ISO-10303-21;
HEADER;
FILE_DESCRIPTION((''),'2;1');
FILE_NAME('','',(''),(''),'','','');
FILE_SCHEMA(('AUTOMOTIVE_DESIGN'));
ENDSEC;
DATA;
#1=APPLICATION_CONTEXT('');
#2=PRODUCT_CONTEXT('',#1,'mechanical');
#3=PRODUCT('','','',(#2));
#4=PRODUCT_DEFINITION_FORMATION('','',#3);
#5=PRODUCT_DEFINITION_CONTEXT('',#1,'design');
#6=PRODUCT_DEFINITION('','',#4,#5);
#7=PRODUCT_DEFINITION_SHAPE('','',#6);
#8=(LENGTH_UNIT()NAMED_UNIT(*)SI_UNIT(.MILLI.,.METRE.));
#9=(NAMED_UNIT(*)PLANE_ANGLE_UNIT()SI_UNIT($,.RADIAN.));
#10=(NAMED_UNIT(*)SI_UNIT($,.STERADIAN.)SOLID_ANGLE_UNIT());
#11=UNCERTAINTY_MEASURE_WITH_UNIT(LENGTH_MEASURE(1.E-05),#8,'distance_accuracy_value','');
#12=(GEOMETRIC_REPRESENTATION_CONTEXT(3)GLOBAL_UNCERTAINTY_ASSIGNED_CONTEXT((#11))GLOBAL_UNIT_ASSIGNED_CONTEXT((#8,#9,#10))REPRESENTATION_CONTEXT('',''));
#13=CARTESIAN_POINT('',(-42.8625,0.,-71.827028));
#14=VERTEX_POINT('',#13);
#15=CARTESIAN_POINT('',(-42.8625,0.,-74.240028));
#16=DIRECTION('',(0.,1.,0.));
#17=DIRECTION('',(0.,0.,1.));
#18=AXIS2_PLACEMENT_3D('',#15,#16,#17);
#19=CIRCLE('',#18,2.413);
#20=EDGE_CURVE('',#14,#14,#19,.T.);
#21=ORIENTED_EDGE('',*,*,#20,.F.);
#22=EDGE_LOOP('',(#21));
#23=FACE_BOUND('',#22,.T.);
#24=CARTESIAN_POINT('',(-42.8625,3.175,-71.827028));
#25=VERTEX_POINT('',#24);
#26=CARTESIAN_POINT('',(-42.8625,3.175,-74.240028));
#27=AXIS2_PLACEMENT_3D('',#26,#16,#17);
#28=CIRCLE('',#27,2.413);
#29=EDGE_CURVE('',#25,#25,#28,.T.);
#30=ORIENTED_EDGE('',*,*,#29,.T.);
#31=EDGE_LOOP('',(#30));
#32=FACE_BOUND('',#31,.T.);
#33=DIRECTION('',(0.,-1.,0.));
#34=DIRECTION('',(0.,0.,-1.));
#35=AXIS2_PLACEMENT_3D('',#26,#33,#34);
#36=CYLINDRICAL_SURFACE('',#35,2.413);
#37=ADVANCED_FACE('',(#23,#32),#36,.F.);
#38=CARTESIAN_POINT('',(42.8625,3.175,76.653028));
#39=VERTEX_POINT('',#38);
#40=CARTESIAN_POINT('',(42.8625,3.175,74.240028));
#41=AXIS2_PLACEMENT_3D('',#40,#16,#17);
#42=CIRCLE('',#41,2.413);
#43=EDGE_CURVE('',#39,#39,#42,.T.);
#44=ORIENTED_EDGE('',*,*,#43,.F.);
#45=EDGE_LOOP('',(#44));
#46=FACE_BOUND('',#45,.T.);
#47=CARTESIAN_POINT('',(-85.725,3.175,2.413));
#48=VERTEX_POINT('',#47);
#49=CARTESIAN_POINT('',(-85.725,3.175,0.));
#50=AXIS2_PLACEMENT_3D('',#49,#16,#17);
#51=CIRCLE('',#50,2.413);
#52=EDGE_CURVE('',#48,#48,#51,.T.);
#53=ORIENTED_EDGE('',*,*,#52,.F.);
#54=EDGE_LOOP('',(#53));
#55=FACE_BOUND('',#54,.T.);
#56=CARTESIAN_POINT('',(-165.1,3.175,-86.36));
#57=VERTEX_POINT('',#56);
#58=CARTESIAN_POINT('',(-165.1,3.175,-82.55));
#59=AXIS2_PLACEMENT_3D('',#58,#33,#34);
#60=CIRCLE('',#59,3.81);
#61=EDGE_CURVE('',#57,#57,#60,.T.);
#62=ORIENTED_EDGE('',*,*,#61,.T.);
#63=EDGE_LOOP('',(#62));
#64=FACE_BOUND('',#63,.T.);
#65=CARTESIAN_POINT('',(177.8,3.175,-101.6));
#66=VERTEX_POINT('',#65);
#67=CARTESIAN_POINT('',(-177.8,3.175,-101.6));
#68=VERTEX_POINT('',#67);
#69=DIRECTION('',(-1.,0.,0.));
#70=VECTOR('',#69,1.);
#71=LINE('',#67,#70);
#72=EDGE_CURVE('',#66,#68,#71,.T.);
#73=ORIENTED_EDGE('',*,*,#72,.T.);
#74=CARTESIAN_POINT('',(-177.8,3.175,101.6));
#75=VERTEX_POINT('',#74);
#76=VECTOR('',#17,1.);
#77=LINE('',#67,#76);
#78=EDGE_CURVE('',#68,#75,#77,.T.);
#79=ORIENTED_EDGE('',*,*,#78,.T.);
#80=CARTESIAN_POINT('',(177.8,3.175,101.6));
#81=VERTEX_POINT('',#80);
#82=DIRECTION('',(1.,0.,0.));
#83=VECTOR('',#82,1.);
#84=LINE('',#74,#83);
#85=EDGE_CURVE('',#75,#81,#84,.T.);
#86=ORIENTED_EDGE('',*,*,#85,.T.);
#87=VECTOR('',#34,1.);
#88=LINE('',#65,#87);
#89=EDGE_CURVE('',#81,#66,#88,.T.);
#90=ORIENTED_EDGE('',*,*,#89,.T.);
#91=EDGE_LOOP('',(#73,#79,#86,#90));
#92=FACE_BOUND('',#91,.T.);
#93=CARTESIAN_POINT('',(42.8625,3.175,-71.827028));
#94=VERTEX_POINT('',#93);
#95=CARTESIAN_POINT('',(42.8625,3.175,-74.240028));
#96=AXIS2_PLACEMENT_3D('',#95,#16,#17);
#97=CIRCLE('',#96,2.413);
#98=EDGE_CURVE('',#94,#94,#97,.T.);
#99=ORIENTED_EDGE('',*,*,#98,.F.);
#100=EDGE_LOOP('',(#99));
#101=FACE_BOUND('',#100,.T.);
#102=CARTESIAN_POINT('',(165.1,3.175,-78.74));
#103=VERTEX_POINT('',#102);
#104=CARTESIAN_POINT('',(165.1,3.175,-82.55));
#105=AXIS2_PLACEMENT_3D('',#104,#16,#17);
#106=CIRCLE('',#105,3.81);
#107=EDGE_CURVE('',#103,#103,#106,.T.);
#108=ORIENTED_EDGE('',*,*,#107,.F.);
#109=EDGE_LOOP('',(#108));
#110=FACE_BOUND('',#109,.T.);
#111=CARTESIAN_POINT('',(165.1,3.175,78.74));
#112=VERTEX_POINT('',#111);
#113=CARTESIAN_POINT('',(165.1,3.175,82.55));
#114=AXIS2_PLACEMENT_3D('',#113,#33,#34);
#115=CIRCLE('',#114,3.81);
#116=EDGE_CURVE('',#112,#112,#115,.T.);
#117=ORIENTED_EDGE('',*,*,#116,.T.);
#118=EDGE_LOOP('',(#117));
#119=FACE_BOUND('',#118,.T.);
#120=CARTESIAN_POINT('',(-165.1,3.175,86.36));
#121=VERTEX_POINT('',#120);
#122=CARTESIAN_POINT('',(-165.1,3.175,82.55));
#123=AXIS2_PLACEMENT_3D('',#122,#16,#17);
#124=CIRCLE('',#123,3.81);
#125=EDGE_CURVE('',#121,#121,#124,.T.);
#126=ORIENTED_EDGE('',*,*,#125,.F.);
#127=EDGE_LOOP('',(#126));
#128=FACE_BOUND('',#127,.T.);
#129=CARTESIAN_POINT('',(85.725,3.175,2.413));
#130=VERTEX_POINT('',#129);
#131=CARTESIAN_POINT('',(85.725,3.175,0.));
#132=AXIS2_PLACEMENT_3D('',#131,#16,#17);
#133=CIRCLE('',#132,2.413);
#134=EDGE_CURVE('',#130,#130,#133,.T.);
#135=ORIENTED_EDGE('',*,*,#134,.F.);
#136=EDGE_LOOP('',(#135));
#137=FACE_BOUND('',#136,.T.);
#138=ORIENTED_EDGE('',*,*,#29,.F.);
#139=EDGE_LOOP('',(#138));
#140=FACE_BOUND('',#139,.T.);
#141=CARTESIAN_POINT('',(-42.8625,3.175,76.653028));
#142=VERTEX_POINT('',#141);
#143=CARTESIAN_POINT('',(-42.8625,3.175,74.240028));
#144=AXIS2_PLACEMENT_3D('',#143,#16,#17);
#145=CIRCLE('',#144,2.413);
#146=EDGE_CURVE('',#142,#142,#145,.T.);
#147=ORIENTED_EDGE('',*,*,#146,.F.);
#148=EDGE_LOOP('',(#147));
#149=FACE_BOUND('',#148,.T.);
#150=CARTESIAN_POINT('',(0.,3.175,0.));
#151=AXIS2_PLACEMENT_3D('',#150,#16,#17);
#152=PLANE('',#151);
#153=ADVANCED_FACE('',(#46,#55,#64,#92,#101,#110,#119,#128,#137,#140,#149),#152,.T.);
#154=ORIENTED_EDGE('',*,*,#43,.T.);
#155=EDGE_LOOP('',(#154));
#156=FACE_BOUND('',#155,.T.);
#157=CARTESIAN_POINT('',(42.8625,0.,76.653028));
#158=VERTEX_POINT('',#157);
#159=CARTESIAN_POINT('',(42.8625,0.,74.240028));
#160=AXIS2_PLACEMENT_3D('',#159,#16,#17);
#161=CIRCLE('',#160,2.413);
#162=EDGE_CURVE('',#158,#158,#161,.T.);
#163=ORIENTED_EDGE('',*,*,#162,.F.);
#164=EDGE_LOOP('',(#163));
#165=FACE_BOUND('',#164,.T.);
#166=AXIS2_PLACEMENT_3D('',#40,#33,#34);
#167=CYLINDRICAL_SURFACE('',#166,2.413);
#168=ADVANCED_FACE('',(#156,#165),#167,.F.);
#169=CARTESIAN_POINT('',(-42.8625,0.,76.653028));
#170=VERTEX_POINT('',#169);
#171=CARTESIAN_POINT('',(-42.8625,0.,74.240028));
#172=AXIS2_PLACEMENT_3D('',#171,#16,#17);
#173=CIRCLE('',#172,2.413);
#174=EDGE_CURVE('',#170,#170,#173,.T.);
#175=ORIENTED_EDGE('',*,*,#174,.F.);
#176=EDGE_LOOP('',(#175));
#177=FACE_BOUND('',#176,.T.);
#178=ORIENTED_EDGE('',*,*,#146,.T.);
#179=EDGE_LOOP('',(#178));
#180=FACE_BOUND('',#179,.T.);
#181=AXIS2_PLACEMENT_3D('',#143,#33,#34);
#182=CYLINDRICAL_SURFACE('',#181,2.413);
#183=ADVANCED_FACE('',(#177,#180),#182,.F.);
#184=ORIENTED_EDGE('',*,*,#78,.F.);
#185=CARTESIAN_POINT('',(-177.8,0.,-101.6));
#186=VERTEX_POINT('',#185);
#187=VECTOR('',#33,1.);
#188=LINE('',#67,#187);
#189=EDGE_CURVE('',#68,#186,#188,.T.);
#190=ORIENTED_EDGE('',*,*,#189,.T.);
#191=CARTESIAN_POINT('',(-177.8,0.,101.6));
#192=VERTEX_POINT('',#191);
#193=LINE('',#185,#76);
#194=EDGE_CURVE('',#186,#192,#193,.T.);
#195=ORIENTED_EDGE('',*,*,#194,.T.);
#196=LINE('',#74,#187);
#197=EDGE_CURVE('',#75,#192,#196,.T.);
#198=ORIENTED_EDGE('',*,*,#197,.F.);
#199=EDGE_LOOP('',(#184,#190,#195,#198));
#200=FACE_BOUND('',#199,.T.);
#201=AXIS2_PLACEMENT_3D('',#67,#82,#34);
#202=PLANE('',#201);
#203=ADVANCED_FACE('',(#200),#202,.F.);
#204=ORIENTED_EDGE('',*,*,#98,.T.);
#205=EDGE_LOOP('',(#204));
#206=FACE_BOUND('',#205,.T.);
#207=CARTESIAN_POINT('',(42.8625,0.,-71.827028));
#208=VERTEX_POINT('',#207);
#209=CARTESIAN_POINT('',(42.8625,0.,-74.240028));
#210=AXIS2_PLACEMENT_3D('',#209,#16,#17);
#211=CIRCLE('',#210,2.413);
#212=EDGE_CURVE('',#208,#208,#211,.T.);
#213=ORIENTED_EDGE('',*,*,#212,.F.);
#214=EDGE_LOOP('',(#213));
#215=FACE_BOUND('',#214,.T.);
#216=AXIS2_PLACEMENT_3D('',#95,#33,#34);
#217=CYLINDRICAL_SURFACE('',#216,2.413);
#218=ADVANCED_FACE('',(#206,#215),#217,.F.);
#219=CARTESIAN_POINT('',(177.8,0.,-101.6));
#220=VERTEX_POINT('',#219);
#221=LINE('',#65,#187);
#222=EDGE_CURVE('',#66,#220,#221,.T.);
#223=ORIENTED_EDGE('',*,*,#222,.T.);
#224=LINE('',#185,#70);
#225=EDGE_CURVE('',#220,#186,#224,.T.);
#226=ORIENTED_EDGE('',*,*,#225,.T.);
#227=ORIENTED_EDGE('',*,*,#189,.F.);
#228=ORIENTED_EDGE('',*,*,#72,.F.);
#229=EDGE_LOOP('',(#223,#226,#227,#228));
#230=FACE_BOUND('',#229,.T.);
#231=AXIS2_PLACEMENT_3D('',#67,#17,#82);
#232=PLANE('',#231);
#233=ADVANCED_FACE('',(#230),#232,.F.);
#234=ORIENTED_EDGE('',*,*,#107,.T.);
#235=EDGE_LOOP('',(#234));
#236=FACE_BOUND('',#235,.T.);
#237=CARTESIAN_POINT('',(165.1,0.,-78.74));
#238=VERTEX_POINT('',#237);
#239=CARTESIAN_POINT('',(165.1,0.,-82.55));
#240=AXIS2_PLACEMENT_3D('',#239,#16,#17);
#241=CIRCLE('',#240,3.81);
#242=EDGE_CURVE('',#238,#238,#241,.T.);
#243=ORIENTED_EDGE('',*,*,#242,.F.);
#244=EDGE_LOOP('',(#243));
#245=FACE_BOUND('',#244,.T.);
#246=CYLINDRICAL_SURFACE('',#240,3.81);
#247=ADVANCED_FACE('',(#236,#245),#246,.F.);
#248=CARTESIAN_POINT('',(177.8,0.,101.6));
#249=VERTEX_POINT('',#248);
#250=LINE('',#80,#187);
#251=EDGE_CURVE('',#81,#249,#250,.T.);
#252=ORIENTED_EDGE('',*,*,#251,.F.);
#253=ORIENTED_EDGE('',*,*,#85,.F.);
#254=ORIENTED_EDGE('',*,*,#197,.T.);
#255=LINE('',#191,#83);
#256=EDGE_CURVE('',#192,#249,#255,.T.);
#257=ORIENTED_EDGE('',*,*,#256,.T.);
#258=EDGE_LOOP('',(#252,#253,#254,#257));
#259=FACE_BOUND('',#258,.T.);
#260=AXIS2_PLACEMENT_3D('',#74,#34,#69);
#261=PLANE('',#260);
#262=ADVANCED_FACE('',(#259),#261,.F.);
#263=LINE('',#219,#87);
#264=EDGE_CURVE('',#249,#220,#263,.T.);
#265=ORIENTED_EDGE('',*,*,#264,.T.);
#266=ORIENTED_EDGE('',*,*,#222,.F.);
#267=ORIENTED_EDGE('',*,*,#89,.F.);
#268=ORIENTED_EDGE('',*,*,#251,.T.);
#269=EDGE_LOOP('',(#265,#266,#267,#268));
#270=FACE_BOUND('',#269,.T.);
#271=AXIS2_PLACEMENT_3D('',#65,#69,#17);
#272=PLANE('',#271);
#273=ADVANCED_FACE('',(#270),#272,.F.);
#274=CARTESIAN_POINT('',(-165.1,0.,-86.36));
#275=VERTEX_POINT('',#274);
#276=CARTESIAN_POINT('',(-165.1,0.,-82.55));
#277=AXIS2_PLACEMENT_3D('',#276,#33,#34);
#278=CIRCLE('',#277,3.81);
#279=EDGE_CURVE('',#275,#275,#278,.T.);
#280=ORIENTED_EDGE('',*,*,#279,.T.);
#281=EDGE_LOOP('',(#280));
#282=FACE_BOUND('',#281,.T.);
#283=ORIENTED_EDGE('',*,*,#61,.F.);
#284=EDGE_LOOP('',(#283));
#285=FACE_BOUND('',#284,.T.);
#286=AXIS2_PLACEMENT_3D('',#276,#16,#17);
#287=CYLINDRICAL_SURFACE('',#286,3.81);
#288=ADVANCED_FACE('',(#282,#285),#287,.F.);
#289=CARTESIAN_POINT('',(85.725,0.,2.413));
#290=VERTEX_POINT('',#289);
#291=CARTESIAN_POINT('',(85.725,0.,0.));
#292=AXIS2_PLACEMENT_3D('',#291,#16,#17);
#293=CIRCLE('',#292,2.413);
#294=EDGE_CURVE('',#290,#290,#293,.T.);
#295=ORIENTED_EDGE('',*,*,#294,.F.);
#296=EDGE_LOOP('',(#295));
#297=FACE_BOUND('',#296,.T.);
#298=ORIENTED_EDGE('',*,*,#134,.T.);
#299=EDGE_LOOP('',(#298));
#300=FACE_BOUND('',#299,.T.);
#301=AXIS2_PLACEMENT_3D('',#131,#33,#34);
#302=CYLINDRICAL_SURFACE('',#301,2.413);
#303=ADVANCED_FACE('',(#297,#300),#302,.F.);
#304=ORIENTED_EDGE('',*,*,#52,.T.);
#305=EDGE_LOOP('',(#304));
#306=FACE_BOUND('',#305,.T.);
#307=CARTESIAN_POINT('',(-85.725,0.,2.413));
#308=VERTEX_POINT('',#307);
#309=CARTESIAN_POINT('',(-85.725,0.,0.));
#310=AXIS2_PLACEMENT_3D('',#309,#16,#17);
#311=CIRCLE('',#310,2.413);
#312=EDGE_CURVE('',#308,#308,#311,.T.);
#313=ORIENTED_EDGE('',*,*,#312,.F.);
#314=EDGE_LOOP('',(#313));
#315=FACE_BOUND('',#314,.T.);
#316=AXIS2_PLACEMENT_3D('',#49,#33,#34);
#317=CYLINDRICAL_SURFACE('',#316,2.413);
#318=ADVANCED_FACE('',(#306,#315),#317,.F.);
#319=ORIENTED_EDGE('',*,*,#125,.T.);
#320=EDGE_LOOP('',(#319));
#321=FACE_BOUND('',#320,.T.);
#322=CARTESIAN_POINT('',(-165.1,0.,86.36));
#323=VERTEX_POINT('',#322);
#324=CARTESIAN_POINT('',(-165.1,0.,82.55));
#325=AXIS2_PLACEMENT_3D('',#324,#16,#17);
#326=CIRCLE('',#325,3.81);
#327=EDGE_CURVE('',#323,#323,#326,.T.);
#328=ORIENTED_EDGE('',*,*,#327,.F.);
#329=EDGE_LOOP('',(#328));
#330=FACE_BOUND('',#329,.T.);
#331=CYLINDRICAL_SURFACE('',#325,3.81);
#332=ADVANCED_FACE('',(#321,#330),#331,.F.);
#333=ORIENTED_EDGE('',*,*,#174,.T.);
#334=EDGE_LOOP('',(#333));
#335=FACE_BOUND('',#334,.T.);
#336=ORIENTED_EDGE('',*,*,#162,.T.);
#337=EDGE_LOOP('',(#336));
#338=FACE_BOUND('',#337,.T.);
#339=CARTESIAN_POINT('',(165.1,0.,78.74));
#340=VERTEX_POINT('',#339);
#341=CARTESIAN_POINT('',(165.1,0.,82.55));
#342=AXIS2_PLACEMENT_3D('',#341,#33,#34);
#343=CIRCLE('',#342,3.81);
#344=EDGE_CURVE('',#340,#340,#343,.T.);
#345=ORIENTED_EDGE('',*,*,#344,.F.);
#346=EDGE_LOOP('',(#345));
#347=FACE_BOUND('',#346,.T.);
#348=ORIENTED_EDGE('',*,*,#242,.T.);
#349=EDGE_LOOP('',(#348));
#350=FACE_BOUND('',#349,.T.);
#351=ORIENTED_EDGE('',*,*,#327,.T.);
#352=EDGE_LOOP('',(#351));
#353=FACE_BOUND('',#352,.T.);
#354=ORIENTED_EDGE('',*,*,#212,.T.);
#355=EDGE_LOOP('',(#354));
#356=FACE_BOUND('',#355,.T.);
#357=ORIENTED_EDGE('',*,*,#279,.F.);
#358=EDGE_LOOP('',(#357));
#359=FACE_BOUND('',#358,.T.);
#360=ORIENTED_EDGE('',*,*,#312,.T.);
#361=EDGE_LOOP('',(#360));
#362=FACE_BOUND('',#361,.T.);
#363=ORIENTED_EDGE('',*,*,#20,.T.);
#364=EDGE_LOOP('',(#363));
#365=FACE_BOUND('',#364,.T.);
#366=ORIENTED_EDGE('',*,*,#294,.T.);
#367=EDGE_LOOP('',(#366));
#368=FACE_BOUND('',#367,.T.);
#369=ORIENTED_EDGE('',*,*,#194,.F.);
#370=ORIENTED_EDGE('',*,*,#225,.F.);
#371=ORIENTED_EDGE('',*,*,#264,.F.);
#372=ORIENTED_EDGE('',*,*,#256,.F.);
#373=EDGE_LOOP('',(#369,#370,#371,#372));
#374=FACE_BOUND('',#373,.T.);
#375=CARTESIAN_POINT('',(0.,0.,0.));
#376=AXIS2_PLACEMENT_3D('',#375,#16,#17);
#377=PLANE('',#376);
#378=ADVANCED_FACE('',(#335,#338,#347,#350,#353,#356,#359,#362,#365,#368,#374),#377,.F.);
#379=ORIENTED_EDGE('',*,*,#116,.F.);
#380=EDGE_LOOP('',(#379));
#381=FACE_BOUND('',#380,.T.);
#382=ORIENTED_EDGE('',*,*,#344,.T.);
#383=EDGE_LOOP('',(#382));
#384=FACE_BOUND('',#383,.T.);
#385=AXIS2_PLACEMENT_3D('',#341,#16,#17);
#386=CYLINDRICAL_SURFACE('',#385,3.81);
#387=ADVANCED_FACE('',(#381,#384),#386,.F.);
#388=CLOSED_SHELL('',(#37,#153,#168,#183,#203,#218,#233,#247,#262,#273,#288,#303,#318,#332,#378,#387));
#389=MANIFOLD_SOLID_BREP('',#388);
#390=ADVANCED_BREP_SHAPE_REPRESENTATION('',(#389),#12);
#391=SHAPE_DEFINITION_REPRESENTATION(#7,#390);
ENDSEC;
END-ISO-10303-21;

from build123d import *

# Parameters (mm, degrees)
SKETCH1_W           = 355.6
SKETCH1_H           = 203.2
SKETCH1_R           = 2.413
BOSS_EXTRUDE1_DEPTH = 3.175
SKETCH2_R           = 3.81
CUT_EXTRUDE1_DEPTH  = 205.80595847


with BuildPart() as part:
    # Sketch1 → Boss-Extrude1 (new body)
    with BuildSketch(Plane(origin=(0, 0, 0), x_dir=(1, 0, 0), z_dir=(0, 1, 0))):
        Rectangle(SKETCH1_W, SKETCH1_H)
        with Locations(Location((42.8625, 74.240027739, 0), (0, 0, 270))):
            Circle(SKETCH1_R, mode=Mode.SUBTRACT)
        with Locations(Location((85.725, 0, 0), (0, 0, 270))):
            Circle(SKETCH1_R, mode=Mode.SUBTRACT)
        with Locations(Location((42.8625, -74.240027739, 0), (0, 0, 270))):
            Circle(SKETCH1_R, mode=Mode.SUBTRACT)
        with Locations(Location((-42.8625, -74.240027739, 0), (0, 0, 270))):
            Circle(SKETCH1_R, mode=Mode.SUBTRACT)
        with Locations(Location((-85.725, 0, 0), (0, 0, 270))):
            Circle(SKETCH1_R, mode=Mode.SUBTRACT)
        with Locations(Location((-42.8625, 74.240027739, 0), (0, 0, 270))):
            Circle(SKETCH1_R, mode=Mode.SUBTRACT)
    extrude(amount=BOSS_EXTRUDE1_DEPTH)

    # Sketch2 → Cut-Extrude1 (cut, through all)
    with BuildSketch(Plane(origin=(0, 3.175, 0), x_dir=(1, 0, 0), z_dir=(0, 1, 0))):
        with Locations(Location((165.1, 82.55, 0), (0, 0, 270))):
            Circle(SKETCH2_R)
        with Locations(Location((-165.1, 82.55, 0), (0, 0, 90))):
            Circle(SKETCH2_R)
        with Locations(Location((-165.1, -82.55, 0), (0, 0, 270))):
            Circle(SKETCH2_R)
        with Locations(Location((165.1, -82.55, 0), (0, 0, 90))):
            Circle(SKETCH2_R)
    extrude(amount=-CUT_EXTRUDE1_DEPTH, mode=Mode.SUBTRACT)


solid = part.part
